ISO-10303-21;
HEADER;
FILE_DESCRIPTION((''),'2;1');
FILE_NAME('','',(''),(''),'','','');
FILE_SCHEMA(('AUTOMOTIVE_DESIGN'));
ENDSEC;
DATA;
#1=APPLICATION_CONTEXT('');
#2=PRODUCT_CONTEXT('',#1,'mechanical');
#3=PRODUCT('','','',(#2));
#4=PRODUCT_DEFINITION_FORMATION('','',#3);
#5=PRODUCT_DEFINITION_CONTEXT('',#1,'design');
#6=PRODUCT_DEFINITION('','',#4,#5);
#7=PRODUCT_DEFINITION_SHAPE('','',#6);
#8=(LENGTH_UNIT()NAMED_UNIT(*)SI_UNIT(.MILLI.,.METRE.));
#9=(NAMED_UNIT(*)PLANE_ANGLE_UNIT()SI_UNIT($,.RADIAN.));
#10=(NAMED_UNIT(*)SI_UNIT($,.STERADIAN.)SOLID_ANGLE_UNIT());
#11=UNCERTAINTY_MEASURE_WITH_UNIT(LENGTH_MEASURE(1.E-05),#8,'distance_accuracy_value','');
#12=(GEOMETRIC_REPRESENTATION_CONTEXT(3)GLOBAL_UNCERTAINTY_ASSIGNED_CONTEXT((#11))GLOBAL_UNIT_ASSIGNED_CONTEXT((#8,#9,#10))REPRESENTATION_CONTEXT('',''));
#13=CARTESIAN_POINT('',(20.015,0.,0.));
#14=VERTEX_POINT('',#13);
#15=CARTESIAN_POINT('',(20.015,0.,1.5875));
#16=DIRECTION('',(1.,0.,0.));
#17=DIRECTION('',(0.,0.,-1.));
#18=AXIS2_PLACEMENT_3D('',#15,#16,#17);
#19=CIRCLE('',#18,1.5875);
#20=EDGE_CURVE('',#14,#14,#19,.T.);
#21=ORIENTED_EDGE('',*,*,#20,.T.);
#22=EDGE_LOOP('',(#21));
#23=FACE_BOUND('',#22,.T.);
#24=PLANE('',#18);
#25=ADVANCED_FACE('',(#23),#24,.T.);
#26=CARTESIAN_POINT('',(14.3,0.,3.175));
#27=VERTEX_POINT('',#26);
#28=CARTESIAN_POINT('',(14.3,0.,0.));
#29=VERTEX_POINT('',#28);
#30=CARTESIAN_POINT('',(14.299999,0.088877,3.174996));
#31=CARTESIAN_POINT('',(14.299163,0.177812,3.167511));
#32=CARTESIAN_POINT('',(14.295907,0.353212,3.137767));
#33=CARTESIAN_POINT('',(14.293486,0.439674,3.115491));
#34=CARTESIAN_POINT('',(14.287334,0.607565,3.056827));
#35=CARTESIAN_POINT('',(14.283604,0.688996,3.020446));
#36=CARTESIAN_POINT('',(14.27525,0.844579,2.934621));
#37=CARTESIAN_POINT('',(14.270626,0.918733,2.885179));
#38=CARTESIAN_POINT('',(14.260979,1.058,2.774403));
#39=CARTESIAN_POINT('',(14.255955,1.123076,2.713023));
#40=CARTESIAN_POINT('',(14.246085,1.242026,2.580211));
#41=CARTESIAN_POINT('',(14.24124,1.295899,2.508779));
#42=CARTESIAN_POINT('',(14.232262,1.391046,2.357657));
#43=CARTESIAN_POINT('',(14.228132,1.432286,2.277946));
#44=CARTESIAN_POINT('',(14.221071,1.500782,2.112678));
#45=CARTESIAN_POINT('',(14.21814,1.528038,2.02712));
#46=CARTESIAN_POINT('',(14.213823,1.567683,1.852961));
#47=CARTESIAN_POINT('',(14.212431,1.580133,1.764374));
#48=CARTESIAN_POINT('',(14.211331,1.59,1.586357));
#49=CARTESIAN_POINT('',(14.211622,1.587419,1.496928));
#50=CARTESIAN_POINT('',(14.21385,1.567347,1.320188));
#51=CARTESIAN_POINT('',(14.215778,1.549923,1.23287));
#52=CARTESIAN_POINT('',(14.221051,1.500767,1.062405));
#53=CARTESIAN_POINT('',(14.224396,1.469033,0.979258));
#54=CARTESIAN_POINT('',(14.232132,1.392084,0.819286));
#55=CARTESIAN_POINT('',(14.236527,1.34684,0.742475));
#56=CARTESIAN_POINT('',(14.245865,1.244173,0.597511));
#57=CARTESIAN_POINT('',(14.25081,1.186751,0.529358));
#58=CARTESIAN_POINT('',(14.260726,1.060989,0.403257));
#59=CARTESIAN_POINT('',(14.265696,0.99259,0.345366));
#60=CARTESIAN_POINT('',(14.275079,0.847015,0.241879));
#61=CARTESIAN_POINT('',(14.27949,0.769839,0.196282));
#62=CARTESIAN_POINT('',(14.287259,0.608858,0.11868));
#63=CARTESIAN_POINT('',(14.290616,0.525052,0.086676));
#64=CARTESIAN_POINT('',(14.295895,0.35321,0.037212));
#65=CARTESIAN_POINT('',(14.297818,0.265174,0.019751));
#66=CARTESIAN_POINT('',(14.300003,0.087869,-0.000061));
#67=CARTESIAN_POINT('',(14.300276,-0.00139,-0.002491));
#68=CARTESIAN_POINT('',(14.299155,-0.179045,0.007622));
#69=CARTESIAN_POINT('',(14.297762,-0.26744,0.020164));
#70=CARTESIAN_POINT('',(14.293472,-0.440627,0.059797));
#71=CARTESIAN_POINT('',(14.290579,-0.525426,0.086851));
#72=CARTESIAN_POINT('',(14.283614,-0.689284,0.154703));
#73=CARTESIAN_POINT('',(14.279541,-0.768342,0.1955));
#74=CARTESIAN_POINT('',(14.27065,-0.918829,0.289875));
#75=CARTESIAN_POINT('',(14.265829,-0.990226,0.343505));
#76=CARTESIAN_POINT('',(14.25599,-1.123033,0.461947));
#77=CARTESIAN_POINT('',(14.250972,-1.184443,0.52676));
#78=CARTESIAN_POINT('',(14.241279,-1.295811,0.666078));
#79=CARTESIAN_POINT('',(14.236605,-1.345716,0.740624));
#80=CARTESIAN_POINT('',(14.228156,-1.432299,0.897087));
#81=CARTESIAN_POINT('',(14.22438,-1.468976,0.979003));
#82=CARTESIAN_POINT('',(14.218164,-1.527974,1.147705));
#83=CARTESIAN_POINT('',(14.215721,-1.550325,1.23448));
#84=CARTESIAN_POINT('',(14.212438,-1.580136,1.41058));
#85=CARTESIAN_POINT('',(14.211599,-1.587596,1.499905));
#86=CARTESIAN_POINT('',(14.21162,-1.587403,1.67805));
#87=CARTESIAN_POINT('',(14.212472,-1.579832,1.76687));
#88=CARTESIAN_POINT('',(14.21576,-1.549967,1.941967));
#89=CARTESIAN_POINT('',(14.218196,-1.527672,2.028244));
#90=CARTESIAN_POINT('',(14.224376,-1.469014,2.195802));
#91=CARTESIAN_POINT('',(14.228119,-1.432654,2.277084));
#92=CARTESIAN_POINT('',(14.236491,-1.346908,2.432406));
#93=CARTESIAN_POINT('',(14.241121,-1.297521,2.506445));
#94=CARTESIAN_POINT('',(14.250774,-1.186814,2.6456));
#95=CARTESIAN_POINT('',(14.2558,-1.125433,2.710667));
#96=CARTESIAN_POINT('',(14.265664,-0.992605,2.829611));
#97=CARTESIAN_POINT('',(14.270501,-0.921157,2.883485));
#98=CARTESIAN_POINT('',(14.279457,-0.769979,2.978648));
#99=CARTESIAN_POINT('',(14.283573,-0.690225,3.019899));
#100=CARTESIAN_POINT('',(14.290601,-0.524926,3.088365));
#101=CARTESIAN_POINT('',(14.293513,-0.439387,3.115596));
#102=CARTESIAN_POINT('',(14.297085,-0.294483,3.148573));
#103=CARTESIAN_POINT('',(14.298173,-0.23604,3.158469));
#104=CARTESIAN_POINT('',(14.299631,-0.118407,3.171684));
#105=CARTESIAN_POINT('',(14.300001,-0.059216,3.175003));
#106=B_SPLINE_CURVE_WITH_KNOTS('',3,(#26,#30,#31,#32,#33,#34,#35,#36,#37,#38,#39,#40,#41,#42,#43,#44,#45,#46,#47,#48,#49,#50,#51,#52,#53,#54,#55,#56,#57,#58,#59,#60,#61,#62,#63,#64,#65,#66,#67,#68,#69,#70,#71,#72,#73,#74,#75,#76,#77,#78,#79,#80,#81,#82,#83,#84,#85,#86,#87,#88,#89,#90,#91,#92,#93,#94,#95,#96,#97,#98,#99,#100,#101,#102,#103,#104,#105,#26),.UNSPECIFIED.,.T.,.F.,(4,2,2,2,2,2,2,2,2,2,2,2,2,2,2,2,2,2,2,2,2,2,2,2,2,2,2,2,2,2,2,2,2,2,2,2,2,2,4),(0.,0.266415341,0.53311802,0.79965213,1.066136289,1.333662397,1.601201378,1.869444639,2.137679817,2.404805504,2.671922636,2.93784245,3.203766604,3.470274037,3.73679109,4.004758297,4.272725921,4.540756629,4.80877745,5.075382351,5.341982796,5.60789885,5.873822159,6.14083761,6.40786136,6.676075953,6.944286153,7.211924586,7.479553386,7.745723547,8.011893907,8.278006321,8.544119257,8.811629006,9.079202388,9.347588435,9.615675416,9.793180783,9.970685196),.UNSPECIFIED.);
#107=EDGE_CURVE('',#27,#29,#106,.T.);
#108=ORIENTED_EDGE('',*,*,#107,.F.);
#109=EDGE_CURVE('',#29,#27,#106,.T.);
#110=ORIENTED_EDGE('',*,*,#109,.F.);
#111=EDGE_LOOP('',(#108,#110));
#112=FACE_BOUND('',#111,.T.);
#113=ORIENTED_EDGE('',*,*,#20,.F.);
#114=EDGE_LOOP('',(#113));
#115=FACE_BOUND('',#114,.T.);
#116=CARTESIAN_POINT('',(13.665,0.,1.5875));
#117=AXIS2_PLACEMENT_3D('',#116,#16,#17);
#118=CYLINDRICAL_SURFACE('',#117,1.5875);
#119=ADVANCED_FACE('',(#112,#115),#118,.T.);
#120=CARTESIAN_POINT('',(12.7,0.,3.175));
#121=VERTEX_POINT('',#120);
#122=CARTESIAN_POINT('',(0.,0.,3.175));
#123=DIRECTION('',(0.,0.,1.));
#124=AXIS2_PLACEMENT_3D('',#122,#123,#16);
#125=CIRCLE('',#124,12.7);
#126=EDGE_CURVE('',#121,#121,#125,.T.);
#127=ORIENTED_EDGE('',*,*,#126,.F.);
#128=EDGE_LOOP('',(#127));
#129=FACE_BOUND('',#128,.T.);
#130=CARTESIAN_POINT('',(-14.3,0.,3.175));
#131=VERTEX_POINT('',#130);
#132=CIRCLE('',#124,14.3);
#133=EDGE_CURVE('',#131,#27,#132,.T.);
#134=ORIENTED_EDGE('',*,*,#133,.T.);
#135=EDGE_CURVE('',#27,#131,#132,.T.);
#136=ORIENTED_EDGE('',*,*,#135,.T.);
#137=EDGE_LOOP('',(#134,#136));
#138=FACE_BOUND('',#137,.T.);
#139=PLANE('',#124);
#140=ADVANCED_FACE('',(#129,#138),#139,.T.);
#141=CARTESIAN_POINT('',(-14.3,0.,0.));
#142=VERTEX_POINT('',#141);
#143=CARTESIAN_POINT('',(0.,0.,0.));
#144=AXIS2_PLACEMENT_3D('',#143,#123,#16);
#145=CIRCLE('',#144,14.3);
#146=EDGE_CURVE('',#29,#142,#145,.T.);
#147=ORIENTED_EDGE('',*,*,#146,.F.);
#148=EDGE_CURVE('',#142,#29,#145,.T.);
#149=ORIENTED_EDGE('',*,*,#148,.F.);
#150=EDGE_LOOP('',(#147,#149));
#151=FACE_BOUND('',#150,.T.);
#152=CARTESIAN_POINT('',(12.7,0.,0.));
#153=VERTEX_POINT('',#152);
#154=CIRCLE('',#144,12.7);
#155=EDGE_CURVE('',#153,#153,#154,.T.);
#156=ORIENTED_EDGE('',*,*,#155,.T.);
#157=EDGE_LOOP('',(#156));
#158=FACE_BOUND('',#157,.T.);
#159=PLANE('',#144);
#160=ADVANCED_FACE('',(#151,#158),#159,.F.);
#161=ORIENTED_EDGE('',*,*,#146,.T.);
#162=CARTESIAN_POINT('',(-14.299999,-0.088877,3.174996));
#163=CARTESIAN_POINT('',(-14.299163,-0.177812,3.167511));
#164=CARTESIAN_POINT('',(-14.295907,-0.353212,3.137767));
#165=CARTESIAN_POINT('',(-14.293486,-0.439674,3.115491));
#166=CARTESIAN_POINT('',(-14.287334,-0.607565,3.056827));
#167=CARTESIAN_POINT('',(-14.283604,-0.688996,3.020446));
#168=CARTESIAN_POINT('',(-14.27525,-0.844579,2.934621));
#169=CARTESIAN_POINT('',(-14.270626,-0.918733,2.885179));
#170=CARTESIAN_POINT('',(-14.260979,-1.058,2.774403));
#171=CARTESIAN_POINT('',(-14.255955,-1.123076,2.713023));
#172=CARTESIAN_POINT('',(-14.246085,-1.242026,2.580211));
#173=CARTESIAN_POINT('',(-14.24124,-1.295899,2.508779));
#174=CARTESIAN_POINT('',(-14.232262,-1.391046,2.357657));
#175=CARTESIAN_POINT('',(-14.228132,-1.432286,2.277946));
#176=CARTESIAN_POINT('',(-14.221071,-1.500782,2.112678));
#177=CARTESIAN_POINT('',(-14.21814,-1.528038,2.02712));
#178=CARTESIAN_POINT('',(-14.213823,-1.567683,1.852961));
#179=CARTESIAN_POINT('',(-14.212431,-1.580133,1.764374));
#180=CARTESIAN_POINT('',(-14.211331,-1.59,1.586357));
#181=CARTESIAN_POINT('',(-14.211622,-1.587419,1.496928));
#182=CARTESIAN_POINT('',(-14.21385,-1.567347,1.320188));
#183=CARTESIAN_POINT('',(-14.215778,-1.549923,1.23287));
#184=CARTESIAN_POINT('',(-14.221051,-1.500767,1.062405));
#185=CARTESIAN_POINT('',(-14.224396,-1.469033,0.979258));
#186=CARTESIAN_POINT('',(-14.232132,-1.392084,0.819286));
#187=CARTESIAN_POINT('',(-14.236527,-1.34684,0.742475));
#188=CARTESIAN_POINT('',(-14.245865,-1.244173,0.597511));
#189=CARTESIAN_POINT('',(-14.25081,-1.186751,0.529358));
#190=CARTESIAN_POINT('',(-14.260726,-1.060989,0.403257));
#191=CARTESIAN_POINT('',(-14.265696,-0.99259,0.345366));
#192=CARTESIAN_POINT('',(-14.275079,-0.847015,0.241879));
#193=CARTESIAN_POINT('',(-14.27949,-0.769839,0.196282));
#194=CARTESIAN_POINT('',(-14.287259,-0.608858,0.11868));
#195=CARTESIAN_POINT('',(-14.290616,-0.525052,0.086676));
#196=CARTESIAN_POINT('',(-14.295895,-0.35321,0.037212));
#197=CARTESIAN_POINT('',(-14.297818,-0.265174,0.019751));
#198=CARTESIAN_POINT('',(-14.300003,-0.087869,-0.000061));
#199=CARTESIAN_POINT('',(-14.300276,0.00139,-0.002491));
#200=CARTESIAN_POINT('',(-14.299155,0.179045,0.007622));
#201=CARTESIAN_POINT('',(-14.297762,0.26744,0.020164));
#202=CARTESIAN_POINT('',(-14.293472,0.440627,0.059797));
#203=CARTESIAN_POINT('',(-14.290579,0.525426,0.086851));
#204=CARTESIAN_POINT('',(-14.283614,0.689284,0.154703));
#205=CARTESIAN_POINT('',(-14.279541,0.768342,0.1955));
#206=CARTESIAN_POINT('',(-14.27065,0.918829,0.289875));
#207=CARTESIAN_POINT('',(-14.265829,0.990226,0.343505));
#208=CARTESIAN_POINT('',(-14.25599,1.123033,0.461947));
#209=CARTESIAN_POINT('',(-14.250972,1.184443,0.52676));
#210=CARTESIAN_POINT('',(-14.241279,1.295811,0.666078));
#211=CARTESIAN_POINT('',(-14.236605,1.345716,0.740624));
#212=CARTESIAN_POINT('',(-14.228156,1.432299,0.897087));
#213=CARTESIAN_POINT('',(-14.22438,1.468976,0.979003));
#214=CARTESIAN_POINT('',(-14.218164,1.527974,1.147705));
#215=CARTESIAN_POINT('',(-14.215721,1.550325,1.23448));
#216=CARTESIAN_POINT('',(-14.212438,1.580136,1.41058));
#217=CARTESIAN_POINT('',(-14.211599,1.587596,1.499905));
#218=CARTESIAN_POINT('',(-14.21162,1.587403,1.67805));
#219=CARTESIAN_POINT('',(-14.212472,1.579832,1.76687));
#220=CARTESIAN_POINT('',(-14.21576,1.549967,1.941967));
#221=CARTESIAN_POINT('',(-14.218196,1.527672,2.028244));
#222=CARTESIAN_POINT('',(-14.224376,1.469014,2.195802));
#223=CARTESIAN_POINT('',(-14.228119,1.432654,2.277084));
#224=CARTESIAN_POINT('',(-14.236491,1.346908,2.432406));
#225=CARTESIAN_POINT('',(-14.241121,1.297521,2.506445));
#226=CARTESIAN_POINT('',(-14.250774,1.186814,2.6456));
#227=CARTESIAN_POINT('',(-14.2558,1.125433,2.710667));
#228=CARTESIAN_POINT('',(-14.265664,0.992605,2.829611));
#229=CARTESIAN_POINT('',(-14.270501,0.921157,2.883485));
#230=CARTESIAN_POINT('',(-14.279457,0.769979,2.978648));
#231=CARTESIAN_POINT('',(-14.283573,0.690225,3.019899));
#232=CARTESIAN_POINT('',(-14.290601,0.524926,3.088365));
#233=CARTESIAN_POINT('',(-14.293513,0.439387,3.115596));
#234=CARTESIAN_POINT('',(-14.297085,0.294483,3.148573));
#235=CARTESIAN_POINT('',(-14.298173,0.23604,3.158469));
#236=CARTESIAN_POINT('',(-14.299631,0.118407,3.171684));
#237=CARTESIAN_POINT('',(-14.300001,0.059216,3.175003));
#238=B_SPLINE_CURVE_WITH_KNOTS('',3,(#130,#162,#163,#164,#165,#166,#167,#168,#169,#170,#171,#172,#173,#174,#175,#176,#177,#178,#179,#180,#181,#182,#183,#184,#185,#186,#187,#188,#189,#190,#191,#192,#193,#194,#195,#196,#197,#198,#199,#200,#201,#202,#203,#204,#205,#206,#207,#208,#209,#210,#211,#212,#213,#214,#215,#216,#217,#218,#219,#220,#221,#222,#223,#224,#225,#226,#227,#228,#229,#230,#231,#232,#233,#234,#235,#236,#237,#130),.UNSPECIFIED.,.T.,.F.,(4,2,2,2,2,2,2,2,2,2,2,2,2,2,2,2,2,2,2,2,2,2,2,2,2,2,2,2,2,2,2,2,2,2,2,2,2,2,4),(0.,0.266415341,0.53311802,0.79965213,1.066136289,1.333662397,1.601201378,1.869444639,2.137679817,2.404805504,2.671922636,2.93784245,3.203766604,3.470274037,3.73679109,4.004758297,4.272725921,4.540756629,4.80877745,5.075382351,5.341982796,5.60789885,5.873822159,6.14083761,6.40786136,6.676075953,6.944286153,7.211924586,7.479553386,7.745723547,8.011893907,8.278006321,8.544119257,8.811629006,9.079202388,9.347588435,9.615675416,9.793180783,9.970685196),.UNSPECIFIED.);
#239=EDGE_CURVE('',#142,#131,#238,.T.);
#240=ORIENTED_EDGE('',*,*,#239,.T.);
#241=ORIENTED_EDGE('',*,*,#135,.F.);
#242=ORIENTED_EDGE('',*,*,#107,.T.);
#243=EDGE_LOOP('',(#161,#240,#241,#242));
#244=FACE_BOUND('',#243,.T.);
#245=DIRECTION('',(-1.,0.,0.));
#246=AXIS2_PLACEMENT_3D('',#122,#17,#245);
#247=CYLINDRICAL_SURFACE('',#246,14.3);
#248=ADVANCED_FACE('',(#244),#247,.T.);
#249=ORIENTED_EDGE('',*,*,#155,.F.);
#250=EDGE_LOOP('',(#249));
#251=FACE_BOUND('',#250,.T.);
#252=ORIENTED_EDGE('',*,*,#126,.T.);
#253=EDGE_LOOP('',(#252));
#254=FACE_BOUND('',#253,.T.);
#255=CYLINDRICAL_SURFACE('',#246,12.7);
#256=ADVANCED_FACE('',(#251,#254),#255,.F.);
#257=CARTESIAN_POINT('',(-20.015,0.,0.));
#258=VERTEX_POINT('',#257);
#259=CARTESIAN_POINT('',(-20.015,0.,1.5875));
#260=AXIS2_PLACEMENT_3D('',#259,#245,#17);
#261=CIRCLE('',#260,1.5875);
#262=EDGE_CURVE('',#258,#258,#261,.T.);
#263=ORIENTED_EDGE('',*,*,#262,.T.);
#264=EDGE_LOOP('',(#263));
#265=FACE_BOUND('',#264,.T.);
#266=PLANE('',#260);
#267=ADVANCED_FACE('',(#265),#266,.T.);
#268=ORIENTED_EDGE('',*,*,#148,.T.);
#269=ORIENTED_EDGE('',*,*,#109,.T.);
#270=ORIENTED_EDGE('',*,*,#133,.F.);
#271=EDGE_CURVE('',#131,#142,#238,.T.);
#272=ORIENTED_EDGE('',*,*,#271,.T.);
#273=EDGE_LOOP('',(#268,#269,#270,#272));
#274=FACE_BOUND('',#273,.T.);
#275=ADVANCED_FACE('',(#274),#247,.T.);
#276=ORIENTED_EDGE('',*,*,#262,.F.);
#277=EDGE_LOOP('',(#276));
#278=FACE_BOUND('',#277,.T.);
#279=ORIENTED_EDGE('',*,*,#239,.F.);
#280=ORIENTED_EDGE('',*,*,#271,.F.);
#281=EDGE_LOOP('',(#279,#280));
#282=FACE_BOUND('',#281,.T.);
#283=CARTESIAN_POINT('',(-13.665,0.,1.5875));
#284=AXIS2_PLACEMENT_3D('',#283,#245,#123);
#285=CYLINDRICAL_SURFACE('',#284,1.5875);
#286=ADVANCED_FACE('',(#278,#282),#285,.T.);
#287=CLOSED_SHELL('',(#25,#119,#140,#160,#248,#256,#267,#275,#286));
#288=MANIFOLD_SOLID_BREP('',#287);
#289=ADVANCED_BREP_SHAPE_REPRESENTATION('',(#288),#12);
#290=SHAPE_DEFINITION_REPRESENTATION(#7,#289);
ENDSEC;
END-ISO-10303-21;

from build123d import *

# Parameters (mm, degrees)
SKETCH1_R           = 14.3
SKETCH1_R_2         = 12.7
BOSS_EXTRUDE1_DEPTH = 3.175
BOSS_EXTRUDE2_START = -0.635
SKETCH2_R           = 1.5875
BOSS_EXTRUDE2_DEPTH = 6.35
CIRPATTERN1_COUNT   = 2


with BuildPart() as part:
    # Sketch1 → Boss-Extrude1 (new body)
    with BuildSketch(Plane.XY):
        Circle(SKETCH1_R)
        Circle(SKETCH1_R_2, mode=Mode.SUBTRACT)
    extrude(amount=BOSS_EXTRUDE1_DEPTH)

    # Sketch2 → Boss-Extrude2 (add)
    with BuildSketch(Plane(origin=(14.3, 0, 0), x_dir=(0, 0, -1), z_dir=(1, 0, 0)).offset(BOSS_EXTRUDE2_START)):
        with Locations((-1.5875, 0)):
            Circle(SKETCH2_R)
    boss_extrude2 = extrude(amount=BOSS_EXTRUDE2_DEPTH)

    # CirPattern1: Boss-Extrude2 ×2 about axis
    cirpattern1_axis = Axis((0, 0, 3.175), (0, 0, -1))
    for i in range(1, CIRPATTERN1_COUNT):
        add(boss_extrude2.rotate(cirpattern1_axis, i * 360 / CIRPATTERN1_COUNT))


solid = part.part
